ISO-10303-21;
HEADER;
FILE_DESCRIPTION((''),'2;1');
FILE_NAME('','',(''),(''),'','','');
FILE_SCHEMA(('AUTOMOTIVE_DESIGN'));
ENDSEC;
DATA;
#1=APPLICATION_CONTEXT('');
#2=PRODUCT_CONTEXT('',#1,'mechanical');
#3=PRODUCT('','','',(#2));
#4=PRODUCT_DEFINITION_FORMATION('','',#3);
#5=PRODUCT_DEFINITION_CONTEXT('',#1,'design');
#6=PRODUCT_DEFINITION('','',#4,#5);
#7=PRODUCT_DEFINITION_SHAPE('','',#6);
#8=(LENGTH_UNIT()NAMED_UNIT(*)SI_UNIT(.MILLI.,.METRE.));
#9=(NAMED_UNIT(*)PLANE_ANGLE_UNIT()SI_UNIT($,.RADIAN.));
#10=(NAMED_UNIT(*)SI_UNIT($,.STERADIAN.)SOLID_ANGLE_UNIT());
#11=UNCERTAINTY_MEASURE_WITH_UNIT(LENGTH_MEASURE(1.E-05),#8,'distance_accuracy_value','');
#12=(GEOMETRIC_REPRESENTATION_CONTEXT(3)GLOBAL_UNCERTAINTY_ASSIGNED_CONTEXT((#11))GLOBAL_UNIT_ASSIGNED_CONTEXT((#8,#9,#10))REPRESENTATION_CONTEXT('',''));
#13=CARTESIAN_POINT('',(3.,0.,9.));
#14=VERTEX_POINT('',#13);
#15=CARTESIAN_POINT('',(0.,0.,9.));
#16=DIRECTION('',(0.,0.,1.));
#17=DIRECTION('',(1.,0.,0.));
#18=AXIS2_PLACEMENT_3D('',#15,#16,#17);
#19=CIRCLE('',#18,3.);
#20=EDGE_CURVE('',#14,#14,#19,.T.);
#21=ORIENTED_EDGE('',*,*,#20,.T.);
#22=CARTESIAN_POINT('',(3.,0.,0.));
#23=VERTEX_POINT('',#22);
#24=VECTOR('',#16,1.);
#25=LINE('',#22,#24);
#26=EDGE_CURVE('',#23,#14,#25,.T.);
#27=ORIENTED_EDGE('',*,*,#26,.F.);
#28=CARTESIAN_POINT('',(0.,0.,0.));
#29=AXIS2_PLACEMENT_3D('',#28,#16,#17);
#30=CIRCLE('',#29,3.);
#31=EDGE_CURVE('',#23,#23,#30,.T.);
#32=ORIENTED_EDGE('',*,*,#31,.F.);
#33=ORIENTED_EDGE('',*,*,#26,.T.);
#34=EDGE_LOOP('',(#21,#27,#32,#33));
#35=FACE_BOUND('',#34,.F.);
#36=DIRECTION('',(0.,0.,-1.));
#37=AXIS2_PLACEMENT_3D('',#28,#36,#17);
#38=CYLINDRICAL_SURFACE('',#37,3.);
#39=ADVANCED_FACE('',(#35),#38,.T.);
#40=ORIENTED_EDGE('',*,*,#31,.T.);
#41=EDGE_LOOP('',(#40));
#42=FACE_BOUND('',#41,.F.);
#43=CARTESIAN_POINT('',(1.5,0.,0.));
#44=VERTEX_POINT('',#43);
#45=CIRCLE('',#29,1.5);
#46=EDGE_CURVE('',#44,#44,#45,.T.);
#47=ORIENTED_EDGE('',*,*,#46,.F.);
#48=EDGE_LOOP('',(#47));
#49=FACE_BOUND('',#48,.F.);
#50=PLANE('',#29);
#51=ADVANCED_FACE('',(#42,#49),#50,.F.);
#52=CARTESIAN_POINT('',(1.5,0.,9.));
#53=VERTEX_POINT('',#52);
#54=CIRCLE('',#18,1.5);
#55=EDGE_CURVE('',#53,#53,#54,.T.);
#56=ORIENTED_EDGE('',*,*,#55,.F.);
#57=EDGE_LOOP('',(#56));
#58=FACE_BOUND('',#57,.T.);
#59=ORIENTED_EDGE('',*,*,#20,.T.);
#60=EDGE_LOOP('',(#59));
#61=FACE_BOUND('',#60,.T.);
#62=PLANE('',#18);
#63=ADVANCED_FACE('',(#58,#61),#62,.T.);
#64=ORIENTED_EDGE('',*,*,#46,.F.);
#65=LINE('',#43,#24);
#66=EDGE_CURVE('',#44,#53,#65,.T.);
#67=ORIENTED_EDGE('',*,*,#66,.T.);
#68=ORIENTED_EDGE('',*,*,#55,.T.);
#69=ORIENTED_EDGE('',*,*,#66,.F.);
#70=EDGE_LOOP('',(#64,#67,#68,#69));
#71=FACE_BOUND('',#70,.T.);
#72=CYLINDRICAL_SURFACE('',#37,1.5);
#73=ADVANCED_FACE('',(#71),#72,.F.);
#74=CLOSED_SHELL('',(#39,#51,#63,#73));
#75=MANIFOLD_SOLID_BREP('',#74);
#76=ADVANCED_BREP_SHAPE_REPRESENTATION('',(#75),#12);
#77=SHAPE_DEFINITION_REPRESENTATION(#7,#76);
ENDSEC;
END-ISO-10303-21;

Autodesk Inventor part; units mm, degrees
ref_plane "YZ Plane" through (0, 0, 0) normal (1, 0, 0) x (0, 1, 0)
ref_plane "XZ Plane" through (0, 0, 0) normal (0, 1, 0) x (-1, 0, 0)
ref_plane "XY Plane" through (0, 0, 0) normal (0, 0, 1) x (1, 0, 0)
sketch "スケッチ1" plane through (0, 0, 0) normal (0, 0, 1) x (1, 0, 0)
  circle A0 centre (0, 0) radius 3
  circle A1 centre (0, 0) radius 1.5
  dimension "d0" = 6
  dimension "d1" = 3
extrude "押し出し1" add sketch "スケッチ1" along normal blind 9
properties part number "スペーサーm3-9　簡易筒型" material "アルミニウム 2014-T4"
